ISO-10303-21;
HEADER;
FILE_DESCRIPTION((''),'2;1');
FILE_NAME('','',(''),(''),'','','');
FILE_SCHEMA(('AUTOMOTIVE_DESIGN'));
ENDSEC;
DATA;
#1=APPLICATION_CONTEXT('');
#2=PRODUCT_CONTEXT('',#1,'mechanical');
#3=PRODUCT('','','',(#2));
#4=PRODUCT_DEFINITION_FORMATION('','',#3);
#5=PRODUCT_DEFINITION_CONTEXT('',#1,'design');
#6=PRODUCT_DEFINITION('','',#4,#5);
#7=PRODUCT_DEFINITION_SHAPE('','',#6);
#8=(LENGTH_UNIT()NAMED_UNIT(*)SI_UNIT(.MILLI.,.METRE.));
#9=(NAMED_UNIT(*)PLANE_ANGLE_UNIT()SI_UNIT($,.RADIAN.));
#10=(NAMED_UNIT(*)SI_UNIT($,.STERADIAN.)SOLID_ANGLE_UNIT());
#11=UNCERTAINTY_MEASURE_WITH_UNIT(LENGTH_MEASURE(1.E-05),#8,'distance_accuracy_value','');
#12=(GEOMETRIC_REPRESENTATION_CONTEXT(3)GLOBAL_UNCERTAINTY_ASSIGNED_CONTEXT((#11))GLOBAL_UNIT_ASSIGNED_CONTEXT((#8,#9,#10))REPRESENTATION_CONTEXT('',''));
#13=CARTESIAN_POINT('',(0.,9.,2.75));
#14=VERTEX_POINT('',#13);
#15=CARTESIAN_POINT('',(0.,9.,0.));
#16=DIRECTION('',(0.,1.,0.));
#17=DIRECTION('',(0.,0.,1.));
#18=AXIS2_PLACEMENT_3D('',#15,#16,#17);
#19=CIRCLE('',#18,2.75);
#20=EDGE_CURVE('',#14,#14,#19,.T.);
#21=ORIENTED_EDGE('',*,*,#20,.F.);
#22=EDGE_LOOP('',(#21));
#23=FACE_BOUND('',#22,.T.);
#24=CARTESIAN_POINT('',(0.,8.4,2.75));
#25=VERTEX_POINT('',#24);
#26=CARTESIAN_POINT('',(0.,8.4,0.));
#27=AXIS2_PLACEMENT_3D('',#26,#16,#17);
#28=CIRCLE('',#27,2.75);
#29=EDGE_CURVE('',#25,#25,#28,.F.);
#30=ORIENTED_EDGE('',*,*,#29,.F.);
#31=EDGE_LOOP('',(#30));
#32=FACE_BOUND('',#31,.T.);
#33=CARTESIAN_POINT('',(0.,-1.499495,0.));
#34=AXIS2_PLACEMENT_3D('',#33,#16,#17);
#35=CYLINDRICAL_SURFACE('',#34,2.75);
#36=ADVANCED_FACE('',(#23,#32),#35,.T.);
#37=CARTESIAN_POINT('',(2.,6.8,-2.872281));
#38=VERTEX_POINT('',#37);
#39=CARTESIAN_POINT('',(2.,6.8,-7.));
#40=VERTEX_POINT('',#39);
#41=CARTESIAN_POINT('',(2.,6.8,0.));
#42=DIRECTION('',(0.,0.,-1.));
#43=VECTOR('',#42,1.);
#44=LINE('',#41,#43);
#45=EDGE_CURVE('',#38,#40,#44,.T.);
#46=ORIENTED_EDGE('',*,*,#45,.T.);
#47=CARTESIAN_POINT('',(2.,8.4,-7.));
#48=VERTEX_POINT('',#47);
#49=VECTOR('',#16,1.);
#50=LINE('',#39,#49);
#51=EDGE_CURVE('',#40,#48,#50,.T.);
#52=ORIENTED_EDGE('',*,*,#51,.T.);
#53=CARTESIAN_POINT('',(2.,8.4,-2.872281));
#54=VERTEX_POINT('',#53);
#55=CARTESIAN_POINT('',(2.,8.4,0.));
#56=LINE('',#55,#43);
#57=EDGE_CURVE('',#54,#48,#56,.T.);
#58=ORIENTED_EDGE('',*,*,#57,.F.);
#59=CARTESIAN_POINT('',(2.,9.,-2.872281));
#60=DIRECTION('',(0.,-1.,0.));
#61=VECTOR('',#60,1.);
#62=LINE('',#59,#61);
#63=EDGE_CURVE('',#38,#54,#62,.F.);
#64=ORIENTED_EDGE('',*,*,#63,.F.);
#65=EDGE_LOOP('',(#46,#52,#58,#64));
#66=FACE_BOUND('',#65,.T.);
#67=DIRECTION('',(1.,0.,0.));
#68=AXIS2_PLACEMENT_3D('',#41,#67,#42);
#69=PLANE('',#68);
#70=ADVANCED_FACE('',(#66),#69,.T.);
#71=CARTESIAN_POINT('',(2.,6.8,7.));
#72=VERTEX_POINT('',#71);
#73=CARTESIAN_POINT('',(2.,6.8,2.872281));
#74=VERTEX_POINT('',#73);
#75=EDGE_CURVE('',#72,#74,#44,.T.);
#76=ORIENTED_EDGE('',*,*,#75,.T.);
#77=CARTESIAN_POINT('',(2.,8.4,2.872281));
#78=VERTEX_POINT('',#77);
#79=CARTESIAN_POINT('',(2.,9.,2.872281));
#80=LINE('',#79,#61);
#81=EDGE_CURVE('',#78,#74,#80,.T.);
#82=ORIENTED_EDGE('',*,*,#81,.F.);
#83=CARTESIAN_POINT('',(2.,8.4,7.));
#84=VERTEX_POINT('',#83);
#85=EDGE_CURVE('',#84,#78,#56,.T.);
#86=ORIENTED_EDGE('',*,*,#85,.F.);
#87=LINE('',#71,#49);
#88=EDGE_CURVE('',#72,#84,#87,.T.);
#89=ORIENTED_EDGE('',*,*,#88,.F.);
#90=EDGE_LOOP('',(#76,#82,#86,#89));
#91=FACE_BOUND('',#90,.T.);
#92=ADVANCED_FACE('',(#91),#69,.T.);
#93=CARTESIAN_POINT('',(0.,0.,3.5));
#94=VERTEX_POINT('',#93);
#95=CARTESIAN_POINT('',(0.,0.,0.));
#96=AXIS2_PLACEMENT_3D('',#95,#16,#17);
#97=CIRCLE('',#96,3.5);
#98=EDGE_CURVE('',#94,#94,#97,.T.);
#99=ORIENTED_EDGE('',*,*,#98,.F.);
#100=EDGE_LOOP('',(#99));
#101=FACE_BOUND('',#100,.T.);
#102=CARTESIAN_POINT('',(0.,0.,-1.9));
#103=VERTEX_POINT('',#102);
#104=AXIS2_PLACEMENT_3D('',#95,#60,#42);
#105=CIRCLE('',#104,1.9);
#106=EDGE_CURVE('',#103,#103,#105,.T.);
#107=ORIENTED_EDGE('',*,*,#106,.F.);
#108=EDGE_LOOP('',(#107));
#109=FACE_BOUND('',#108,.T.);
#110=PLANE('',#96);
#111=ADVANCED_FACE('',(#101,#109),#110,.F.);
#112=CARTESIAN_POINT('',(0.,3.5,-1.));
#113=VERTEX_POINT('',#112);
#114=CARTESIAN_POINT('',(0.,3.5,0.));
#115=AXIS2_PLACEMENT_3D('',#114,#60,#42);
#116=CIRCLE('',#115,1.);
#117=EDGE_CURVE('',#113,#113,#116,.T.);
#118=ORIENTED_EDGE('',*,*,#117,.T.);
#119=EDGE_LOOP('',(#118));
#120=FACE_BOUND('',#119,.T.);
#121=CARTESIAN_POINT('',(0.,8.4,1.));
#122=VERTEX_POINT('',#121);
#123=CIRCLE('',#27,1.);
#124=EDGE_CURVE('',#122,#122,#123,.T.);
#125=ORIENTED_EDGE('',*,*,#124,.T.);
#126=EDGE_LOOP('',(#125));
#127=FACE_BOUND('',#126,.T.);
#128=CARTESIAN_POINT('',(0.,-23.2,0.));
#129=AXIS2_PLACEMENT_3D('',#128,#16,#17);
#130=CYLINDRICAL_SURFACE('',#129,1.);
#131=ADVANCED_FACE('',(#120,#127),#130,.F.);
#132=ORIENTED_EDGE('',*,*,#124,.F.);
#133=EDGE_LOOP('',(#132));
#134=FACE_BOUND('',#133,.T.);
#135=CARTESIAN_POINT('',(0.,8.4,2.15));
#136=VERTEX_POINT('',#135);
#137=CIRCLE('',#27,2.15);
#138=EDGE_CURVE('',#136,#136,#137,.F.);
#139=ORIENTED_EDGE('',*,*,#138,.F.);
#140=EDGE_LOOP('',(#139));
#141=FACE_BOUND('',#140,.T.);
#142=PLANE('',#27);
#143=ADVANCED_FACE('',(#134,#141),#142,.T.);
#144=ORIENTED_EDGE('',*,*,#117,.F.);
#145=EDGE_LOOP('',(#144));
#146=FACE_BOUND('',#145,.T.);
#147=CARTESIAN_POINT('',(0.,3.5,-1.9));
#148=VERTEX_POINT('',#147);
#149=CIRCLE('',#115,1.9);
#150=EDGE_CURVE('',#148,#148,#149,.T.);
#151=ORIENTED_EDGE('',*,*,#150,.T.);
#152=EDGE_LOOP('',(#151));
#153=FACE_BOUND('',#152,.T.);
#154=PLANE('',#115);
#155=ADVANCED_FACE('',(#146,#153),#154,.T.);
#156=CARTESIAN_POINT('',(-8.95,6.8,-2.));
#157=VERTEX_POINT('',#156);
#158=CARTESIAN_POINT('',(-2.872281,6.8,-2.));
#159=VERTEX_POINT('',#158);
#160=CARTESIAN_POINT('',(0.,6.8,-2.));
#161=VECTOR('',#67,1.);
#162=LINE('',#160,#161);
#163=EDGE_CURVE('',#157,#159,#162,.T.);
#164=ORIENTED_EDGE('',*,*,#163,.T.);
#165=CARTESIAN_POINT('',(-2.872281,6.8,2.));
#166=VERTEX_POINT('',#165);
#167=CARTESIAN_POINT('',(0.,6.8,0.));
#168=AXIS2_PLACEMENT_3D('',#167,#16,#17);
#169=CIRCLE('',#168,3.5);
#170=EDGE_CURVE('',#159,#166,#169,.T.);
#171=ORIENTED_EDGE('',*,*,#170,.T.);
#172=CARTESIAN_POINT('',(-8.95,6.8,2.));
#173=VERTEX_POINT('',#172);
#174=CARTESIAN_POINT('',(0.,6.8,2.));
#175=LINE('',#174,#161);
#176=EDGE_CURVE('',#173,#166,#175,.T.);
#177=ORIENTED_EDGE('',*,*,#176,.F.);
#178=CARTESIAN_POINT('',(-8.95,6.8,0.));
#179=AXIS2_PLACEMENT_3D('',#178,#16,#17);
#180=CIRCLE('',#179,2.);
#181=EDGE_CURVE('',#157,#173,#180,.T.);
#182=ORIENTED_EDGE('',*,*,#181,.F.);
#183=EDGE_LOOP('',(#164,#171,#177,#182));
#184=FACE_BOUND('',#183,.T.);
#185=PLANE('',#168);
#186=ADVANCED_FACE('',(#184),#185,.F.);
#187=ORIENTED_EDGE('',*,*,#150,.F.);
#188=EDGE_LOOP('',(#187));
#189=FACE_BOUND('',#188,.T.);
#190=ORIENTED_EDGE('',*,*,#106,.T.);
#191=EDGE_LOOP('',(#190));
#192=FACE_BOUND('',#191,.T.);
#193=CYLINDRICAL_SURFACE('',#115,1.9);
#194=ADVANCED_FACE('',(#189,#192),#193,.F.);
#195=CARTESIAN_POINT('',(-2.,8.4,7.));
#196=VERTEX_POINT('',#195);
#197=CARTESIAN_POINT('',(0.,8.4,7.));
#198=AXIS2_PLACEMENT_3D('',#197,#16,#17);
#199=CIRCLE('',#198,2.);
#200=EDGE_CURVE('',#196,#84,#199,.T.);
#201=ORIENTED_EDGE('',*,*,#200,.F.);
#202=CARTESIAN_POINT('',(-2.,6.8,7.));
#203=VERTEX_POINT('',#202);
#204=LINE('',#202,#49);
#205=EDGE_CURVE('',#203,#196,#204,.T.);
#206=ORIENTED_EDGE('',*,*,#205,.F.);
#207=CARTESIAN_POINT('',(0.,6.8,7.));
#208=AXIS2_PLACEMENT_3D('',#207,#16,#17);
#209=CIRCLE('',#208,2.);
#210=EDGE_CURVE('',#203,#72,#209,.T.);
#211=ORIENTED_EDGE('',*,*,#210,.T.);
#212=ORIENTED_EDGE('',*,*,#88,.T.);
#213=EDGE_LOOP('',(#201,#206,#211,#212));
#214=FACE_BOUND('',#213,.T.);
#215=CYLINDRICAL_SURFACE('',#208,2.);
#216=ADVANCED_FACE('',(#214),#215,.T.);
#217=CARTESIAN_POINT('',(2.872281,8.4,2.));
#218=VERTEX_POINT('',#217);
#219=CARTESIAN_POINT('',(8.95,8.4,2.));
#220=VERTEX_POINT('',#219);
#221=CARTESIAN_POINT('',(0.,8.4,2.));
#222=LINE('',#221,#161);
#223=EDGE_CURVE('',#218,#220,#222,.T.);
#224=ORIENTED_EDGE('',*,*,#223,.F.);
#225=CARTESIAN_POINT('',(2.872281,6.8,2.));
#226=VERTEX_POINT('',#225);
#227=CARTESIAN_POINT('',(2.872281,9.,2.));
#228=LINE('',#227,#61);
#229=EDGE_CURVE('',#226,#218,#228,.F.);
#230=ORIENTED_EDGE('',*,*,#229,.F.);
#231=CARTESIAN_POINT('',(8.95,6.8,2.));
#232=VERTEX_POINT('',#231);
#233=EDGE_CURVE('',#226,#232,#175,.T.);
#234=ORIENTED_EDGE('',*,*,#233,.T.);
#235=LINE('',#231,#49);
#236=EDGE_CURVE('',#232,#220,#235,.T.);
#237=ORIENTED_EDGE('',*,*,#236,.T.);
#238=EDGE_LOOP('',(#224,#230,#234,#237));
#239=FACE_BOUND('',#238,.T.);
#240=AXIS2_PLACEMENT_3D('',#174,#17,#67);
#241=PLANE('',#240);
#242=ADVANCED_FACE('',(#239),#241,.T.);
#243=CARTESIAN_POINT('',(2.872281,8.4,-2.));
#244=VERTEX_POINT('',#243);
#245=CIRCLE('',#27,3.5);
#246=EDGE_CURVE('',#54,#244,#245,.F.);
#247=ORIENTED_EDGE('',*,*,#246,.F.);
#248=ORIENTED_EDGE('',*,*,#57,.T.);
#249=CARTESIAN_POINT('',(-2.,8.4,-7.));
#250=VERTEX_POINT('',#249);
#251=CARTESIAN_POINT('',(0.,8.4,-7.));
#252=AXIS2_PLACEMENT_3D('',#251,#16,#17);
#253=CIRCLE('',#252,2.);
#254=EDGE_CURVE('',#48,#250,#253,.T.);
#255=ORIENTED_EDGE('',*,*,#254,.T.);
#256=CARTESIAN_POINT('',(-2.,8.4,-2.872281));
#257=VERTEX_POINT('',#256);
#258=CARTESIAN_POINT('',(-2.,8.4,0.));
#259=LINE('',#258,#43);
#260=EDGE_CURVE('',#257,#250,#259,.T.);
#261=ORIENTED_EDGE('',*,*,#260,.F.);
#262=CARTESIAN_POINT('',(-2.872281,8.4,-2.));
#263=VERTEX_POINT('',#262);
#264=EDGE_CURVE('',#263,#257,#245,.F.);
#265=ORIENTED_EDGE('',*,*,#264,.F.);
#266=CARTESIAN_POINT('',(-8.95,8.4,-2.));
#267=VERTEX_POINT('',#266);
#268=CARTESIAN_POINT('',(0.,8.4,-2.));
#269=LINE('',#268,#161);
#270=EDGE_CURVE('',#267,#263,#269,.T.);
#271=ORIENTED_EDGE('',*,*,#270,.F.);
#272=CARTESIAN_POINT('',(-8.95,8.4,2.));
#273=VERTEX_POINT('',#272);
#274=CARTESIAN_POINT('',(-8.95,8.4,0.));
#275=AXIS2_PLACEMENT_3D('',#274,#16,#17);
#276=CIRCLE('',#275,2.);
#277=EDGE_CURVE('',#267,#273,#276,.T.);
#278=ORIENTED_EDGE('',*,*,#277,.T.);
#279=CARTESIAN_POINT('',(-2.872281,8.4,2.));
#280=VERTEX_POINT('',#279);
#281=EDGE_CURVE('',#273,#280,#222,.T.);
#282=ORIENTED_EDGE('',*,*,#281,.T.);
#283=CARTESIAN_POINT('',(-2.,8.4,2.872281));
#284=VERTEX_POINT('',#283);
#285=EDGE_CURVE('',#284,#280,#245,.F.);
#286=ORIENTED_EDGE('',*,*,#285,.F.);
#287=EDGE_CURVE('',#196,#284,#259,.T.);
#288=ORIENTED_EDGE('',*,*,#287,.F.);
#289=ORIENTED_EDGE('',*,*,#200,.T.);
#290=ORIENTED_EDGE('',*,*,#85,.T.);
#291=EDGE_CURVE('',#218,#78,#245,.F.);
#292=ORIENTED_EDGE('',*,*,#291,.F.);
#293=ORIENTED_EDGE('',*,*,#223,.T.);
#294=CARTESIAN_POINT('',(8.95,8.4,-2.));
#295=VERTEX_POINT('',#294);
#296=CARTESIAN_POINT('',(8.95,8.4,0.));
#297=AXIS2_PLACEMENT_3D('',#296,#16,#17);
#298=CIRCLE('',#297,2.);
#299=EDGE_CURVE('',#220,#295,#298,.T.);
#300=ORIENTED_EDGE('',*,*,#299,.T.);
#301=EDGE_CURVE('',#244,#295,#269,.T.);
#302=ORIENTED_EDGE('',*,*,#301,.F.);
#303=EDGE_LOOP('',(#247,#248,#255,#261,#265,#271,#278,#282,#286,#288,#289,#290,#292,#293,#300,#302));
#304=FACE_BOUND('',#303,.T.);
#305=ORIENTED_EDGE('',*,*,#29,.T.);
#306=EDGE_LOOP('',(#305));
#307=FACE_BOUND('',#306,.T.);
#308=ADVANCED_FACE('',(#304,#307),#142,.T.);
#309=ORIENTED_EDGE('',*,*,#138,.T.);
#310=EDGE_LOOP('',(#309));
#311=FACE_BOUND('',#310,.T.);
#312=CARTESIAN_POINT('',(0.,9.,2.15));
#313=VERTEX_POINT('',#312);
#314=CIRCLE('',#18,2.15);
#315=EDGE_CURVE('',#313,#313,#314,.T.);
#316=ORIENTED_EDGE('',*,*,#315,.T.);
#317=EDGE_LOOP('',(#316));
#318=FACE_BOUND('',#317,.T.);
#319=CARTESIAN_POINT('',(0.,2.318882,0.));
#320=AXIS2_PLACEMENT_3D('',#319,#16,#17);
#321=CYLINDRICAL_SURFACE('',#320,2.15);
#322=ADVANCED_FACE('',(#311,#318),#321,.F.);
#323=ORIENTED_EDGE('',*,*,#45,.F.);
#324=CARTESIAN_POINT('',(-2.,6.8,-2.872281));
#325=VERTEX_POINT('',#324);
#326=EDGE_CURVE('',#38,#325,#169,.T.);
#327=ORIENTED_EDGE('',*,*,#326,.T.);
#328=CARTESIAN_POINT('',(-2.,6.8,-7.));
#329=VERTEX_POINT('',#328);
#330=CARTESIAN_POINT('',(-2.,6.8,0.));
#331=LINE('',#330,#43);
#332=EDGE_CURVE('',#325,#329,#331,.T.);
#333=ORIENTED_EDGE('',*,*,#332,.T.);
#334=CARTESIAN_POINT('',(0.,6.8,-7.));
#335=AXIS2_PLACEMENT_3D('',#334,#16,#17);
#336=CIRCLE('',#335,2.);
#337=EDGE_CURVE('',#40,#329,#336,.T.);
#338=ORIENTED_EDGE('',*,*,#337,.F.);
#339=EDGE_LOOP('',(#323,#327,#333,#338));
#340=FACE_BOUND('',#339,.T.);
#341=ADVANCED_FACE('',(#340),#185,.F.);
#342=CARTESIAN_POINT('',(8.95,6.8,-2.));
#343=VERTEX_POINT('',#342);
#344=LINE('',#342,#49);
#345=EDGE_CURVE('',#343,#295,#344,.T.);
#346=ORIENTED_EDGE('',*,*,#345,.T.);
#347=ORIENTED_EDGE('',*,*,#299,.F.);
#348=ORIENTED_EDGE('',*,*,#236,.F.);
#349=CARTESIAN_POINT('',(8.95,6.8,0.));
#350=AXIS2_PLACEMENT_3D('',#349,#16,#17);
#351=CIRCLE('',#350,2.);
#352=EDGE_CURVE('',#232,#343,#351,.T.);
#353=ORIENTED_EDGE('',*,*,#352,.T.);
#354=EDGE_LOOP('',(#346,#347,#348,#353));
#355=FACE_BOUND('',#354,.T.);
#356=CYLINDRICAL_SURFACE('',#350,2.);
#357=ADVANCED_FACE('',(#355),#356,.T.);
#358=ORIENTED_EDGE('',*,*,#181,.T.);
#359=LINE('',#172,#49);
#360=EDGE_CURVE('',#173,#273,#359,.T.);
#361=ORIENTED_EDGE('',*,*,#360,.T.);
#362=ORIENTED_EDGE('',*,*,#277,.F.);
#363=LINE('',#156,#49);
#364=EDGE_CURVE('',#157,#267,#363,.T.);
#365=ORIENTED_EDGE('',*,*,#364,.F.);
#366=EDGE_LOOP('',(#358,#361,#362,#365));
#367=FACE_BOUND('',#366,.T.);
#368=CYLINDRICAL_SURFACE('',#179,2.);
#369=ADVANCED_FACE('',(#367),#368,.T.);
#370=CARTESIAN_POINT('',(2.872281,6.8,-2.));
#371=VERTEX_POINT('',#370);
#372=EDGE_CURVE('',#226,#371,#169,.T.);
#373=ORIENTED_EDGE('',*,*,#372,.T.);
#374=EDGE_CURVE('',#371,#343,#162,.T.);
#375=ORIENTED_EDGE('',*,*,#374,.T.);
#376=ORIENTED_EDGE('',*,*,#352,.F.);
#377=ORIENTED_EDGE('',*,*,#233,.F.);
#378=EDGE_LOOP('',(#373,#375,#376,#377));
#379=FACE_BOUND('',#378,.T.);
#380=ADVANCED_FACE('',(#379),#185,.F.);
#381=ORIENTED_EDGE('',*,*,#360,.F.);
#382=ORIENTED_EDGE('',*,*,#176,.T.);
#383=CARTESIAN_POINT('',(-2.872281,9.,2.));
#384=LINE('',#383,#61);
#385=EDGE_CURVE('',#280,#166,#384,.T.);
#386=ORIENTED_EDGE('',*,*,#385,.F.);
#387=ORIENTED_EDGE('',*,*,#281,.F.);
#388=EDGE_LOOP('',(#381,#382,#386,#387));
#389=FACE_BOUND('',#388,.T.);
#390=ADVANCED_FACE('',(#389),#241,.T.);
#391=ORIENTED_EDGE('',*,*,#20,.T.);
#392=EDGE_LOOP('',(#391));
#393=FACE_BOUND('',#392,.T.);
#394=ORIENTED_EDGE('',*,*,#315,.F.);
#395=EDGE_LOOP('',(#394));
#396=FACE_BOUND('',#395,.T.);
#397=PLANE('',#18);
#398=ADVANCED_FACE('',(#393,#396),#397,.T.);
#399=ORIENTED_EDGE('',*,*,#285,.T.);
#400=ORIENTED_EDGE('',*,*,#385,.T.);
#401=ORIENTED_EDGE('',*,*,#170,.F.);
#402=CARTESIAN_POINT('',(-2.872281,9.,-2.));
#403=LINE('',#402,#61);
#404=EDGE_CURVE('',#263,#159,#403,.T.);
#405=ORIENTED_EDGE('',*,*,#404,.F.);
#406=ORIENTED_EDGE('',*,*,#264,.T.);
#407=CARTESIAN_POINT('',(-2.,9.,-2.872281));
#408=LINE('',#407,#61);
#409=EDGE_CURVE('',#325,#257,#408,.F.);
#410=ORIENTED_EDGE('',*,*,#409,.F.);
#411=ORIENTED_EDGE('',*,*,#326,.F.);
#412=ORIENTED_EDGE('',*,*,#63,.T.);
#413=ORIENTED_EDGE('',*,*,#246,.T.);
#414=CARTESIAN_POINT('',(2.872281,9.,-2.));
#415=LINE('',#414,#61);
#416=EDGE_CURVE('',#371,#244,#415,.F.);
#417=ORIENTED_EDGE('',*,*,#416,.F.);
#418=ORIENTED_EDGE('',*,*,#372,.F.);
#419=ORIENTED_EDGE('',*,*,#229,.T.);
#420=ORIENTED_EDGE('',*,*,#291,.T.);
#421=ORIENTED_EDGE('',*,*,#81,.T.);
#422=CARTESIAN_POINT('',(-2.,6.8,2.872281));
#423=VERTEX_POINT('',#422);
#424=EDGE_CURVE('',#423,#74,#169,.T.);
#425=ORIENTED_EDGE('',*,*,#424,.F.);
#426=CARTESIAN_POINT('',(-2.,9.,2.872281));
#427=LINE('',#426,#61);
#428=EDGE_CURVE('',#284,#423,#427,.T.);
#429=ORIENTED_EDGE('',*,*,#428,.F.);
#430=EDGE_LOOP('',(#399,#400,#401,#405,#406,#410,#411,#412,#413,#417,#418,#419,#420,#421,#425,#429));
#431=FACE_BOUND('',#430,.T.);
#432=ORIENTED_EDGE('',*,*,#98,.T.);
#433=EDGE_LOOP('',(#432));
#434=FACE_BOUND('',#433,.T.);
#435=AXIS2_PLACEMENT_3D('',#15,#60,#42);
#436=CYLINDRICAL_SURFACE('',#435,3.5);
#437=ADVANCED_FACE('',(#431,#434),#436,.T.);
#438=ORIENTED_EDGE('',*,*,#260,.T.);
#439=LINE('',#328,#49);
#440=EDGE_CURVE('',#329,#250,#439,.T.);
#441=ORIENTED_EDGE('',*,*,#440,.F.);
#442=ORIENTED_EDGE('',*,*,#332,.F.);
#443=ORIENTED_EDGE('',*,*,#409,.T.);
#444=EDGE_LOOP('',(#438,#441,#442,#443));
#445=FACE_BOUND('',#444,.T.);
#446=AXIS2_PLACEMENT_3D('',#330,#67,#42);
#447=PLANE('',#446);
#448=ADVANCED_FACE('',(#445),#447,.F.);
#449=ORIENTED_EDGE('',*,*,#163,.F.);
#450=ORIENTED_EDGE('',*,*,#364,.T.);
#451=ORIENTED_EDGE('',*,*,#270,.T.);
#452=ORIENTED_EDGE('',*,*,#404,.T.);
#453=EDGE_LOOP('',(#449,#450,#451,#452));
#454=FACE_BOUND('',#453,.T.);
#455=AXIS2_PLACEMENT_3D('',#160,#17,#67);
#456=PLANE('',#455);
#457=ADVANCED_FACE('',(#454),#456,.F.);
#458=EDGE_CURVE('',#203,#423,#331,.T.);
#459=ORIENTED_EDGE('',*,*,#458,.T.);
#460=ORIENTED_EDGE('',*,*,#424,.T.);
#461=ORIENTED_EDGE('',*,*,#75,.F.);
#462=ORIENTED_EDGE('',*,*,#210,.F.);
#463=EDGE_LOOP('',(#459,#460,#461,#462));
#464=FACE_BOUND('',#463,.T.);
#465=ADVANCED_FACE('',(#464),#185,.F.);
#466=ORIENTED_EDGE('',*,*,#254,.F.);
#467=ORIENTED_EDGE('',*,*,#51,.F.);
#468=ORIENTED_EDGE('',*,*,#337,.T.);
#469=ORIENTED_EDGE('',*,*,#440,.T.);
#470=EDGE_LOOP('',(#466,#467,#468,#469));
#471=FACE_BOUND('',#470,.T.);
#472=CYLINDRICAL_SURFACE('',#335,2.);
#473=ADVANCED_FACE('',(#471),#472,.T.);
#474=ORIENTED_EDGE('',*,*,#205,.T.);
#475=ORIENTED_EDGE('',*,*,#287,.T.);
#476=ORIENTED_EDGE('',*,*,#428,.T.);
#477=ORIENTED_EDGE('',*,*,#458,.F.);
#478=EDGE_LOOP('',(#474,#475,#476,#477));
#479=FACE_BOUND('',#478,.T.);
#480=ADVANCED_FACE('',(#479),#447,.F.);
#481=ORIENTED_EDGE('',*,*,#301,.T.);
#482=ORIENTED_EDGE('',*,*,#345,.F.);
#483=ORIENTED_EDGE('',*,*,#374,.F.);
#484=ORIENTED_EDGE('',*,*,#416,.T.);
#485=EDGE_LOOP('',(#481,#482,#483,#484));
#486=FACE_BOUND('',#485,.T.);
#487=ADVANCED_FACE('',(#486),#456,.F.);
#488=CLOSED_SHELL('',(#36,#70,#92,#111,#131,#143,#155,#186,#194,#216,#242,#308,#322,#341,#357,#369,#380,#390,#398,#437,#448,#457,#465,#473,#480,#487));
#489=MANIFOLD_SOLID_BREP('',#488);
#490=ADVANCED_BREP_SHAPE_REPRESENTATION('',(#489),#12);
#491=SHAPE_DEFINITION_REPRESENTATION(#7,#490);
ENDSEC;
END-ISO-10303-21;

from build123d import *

# Parameters (mm, degrees)
SZKIC1_R                    = 3.5
DODANIE_WYCI_GNI_CIE1_DEPTH = 9
SZKIC2_R                    = 1.9
WYTNIJ_WYCI_GNI_CIE1_DEPTH  = 3.5
SZKIC3_R                    = 2
DODANIE_WYCI_GNI_CIE2_DEPTH = 1.6
WYTNIJ_WYCI_GNI_CIE2_START  = -0.6
SZKIC4_R                    = 2.15
WYTNIJ_WYCI_GNI_CIE2_DEPTH  = 0.6
SZKIC5_R                    = 1
WYTNIJ_WYCI_GNI_CIE3_DEPTH  = 31.6
SZKIC6_R                    = 3.5
SZKIC6_R_2                  = 2.75
WYTNIJ_WYCI_GNI_CIE4_DEPTH  = 0.6


with BuildPart() as part:
    # Szkic1 → Dodanie-wyciągnięcie1 (new body)
    with BuildSketch(Plane(origin=(0, 0, 0), x_dir=(1, 0, 0), z_dir=(0, 1, 0))):
        Circle(SZKIC1_R)
    extrude(amount=DODANIE_WYCI_GNI_CIE1_DEPTH)

    # Szkic2 → Wytnij-wyciągnięcie1 (cut)
    with BuildSketch(Plane.XZ):
        Circle(SZKIC2_R)
    extrude(amount=-WYTNIJ_WYCI_GNI_CIE1_DEPTH, mode=Mode.SUBTRACT)

    # Szkic3 → Dodanie-wyciągnięcie2 (add)
    with BuildSketch(Plane(origin=(0, 8.4, 0), x_dir=(1, 0, 0), z_dir=(0, 1, 0))):
        with Locations((-8.95, 0)):
            Circle(SZKIC3_R)
        with BuildLine():
            Line((-2, 2), (-8.95, 2))
            ThreePointArc((-8.95, 2), (-7.535786438, 1.414213562), (-6.95, 0))
            ThreePointArc((-6.95, 0), (-7.535786438, -1.414213562), (-8.95, -2))
            Line((-8.95, -2), (-2, -2))
            Line((-2, -2), (-2, 2))
        make_face()
        with Locations((0, 7)):
            Circle(SZKIC3_R)
        with BuildLine():
            Line((-2, 7), (-2, 2))
            Line((-2, 2), (0, 2))
            Line((0, 2), (2, 2))
            Line((2, 2), (2, 7))
            ThreePointArc((2, 7), (0, 5), (-2, 7))
        make_face()
        with BuildLine():
            Line((8.95, 2), (2, 2))
            Line((2, 2), (2, 0))
            Line((2, 0), (2, -2))
            Line((2, -2), (8.95, -2))
            ThreePointArc((8.95, -2), (6.95, 0), (8.95, 2))
        make_face()
        with Locations((8.95, 0)):
            Circle(SZKIC3_R)
        with Locations((0, -7)):
            Circle(SZKIC3_R)
        with BuildLine():
            Line((2, -2), (-2, -2))
            Line((-2, -2), (-2, -7))
            ThreePointArc((-2, -7), (0, -5), (2, -7))
            Line((2, -7), (2, -2))
        make_face()
    extrude(amount=-DODANIE_WYCI_GNI_CIE2_DEPTH)

    # Szkic4 → Wytnij-wyciągnięcie2 (cut)
    with BuildSketch(Plane(origin=(0, 9, 0), x_dir=(1, 0, 0), z_dir=(0, 1, 0)).offset(WYTNIJ_WYCI_GNI_CIE2_START)):
        Circle(SZKIC4_R)
    extrude(amount=WYTNIJ_WYCI_GNI_CIE2_DEPTH, mode=Mode.SUBTRACT)

    # Szkic5 → Wytnij-wyciągnięcie3 (cut)
    with BuildSketch(Plane(origin=(0, 8.4, 0), x_dir=(1, 0, 0), z_dir=(0, 1, 0))):
        Circle(SZKIC5_R)
    extrude(amount=-WYTNIJ_WYCI_GNI_CIE3_DEPTH, mode=Mode.SUBTRACT)

    # Szkic6 → Wytnij-wyciągnięcie4 (cut)
    with BuildSketch(Plane(origin=(0, 9, 0), x_dir=(1, 0, 0), z_dir=(0, 1, 0))):
        Circle(SZKIC6_R)
        Circle(SZKIC6_R_2, mode=Mode.SUBTRACT)
    extrude(amount=-WYTNIJ_WYCI_GNI_CIE4_DEPTH, mode=Mode.SUBTRACT)


solid = part.part
